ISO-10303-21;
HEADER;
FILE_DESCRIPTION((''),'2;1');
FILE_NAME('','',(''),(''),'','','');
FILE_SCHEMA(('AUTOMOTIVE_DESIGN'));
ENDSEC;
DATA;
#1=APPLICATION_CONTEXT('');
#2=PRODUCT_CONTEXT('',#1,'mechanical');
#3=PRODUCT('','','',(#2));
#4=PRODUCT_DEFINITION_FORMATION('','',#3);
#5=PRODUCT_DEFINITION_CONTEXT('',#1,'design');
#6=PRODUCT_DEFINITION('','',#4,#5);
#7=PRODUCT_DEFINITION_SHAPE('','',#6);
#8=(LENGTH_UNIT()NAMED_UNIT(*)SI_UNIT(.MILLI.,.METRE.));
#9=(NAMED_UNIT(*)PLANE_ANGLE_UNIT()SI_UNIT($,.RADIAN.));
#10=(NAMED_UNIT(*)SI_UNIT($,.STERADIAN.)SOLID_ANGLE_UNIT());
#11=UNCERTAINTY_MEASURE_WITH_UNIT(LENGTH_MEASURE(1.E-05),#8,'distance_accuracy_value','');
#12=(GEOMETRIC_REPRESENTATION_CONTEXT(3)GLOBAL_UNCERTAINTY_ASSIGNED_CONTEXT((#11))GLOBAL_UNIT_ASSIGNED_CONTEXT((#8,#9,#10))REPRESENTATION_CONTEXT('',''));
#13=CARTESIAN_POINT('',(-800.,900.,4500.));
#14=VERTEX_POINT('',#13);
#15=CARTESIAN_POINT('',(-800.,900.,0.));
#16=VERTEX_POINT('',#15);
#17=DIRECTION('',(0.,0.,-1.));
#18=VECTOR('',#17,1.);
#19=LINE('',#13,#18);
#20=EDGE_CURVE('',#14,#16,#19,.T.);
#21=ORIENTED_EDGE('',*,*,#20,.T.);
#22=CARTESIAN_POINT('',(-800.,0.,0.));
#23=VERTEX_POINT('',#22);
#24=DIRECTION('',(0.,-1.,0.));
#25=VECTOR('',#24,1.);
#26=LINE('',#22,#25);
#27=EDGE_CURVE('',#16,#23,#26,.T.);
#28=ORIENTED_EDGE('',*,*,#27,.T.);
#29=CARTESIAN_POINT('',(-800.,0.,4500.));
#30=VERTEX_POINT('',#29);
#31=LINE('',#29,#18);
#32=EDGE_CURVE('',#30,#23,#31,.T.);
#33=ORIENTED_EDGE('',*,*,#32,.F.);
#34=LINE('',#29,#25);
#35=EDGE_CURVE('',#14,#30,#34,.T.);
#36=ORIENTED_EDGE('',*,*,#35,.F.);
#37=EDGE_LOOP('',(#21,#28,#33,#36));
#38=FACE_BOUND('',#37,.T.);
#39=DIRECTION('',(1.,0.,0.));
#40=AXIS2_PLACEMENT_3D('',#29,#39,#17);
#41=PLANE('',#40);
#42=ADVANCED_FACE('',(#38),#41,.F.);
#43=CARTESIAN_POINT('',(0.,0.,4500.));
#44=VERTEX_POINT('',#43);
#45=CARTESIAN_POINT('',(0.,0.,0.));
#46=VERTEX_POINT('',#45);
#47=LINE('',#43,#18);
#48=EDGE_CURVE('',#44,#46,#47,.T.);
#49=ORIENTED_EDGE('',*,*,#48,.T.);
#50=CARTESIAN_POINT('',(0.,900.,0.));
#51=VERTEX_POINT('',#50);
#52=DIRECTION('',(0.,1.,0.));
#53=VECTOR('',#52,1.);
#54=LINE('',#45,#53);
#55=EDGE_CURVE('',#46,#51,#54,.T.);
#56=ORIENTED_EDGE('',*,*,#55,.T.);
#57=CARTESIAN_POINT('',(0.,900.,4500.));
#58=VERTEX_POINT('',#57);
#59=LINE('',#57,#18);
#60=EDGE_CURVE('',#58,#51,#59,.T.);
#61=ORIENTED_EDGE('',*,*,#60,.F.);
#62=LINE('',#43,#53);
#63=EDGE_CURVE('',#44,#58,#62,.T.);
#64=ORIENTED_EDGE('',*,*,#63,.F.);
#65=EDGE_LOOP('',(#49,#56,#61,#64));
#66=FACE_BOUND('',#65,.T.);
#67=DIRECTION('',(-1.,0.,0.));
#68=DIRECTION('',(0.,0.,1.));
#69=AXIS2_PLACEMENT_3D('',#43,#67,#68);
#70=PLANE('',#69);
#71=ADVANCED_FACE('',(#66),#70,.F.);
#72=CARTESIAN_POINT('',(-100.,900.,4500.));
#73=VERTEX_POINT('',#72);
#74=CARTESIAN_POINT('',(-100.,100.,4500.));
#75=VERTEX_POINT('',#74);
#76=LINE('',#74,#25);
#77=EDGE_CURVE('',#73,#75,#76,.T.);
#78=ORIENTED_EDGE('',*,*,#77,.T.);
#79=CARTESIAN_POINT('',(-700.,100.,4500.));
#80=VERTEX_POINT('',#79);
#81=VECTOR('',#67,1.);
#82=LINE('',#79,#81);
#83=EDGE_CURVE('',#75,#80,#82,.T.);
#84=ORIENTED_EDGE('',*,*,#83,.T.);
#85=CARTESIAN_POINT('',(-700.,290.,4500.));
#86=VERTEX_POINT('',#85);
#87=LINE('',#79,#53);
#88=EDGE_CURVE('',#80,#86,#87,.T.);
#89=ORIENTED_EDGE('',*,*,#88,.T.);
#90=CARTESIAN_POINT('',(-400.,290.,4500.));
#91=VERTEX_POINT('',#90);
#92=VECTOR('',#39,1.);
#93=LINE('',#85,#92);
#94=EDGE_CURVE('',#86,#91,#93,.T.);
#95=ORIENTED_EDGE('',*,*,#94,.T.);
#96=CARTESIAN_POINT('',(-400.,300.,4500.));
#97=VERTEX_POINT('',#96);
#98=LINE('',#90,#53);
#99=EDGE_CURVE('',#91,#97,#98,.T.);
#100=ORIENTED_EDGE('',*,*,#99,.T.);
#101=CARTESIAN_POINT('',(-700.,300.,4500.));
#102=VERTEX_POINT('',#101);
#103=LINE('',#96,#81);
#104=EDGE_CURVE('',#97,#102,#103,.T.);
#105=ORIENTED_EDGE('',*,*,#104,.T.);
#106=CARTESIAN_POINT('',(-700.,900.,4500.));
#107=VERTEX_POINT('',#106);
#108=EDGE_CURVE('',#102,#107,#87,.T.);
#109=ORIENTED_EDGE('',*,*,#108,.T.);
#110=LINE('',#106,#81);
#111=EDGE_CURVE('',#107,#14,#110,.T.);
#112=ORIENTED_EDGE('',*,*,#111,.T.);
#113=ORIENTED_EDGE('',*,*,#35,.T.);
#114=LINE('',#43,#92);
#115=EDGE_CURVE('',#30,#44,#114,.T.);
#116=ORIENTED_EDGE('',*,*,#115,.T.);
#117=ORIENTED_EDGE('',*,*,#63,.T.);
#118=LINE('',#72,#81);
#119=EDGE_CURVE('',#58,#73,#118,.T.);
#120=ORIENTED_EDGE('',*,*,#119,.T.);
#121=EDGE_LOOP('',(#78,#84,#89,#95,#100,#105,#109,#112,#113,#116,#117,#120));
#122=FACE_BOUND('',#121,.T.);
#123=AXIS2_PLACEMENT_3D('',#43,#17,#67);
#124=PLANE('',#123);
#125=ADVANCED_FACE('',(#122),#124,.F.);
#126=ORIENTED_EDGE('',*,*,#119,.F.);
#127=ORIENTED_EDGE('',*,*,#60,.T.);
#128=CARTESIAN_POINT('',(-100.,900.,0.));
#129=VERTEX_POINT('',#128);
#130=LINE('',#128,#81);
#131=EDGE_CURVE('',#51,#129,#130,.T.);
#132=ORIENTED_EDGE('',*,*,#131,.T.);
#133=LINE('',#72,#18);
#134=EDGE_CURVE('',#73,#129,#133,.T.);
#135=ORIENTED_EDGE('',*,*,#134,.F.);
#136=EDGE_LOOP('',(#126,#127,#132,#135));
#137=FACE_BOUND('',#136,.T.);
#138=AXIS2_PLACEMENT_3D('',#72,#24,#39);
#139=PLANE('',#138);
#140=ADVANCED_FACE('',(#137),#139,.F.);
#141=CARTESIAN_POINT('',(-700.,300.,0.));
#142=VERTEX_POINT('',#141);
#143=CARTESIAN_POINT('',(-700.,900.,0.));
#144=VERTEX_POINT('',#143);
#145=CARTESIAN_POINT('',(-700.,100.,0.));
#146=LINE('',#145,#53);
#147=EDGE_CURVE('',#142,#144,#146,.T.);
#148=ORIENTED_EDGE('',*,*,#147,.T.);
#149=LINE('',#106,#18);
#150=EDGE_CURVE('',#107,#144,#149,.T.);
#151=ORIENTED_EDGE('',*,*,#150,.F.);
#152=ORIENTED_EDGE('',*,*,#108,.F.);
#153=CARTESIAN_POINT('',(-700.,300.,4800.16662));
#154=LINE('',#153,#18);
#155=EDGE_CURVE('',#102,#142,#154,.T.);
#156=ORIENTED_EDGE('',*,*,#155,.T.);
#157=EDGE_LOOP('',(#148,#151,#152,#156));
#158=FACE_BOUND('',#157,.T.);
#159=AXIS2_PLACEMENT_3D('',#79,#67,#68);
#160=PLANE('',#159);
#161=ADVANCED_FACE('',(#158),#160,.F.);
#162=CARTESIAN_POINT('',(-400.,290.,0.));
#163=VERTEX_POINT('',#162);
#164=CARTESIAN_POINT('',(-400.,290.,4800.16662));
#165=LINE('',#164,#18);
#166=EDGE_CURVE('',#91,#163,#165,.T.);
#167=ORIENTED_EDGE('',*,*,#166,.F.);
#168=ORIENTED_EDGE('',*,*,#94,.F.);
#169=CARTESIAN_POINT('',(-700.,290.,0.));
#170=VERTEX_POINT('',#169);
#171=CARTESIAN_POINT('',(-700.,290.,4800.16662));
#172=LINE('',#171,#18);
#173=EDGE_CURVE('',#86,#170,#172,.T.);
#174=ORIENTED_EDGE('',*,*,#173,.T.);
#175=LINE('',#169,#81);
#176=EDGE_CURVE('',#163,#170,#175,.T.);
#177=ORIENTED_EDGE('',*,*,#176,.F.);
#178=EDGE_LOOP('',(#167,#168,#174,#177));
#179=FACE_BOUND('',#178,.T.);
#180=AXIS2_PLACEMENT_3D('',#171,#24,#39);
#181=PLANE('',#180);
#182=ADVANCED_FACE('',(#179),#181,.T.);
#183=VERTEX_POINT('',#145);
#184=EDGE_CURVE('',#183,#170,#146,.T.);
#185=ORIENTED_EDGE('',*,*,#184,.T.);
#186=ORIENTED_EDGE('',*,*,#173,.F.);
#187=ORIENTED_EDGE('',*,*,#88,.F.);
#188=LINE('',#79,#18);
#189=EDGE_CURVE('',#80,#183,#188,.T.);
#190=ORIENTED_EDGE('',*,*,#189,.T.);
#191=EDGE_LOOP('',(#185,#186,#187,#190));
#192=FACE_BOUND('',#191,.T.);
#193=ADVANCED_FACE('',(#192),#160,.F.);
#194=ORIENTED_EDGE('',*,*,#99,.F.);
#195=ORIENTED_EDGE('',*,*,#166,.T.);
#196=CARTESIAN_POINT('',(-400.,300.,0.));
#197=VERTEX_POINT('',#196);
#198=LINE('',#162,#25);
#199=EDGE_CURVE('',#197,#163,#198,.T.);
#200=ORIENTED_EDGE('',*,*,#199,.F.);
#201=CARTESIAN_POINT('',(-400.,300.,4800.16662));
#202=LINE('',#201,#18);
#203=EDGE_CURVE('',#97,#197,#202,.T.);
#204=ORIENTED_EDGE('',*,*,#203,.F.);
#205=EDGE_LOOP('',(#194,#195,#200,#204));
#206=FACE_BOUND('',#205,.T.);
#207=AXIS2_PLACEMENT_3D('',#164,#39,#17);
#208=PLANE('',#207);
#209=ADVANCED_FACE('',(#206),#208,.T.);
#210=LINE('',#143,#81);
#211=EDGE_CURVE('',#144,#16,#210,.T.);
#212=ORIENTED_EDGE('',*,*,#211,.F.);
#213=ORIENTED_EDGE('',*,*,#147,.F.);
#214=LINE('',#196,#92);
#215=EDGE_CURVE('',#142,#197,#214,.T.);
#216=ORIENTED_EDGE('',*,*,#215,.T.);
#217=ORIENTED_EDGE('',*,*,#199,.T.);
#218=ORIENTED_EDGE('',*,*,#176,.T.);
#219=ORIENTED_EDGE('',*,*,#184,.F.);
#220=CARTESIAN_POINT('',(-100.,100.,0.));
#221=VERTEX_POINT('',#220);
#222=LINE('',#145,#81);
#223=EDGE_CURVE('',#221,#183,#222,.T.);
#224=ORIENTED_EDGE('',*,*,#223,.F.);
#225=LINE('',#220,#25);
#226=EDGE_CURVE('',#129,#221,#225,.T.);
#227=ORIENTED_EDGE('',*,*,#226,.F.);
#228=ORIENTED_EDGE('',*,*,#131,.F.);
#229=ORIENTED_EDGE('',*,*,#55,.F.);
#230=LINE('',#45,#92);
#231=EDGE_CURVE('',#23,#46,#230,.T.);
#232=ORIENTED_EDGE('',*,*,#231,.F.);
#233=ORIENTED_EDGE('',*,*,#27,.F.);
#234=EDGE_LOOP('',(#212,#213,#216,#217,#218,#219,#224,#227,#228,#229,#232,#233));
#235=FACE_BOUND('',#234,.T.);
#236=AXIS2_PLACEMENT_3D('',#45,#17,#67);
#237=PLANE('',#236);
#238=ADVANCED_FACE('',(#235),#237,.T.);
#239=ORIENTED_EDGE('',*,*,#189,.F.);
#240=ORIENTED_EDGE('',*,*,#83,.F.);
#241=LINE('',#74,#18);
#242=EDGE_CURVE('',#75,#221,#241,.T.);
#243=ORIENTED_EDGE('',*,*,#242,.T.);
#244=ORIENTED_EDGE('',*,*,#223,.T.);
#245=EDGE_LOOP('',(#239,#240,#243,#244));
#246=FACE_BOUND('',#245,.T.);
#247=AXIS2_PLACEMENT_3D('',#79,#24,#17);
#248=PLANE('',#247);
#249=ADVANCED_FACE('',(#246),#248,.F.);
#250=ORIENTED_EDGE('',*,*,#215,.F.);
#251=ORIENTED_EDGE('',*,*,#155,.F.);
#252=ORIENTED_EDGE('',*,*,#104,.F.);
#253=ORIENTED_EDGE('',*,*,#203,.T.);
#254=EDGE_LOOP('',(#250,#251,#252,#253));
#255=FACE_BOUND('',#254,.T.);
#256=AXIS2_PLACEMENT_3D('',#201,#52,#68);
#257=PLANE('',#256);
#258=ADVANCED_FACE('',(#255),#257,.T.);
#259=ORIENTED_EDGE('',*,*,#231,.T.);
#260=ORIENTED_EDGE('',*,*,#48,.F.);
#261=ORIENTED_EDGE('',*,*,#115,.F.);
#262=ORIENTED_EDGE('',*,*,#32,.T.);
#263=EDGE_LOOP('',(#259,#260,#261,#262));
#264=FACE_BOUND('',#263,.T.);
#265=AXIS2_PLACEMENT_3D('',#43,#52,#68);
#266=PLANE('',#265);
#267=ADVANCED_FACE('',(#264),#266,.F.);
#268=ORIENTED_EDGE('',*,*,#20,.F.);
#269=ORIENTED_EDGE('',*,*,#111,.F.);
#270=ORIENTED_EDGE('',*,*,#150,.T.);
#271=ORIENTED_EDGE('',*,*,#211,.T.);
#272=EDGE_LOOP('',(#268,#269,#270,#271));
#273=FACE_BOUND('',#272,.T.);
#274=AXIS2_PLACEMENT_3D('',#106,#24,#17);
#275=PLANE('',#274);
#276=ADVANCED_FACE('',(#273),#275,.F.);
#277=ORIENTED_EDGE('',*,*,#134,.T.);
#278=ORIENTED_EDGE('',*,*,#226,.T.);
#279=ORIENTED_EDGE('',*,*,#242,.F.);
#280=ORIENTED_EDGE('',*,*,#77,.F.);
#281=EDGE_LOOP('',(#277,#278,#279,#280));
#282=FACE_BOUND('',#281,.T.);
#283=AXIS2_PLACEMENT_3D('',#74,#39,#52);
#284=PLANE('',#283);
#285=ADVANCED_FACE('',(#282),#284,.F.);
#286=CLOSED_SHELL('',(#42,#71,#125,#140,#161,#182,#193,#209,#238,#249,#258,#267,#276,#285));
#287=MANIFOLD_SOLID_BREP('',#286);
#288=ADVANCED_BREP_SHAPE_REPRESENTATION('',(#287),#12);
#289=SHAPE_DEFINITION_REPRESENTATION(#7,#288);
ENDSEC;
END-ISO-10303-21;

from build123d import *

# Parameters (mm, degrees)
SALIENTE_EXTRUIR1_DEPTH = 4500
CROQUIS2_W              = 300
CROQUIS2_H              = 10
SALIENTE_EXTRUIR2_DEPTH = 4500


with BuildPart() as part:
    # Croquis1 → Saliente-Extruir1 (new body)
    with BuildSketch(Plane.XY):
        Polygon((0, 0), (-800, 0), (-800, 900), (-700, 900), (-700, 100), (-100, 100), (-100, 900), (0, 900), align=None)
    extrude(amount=SALIENTE_EXTRUIR1_DEPTH)

    # Croquis2 → Saliente-Extruir2 (add)
    with BuildSketch(Plane(origin=(0, 0, 0), x_dir=(-1, 0, 0), z_dir=(0, 0, -1))):
        with Locations((550, 295)):
            Rectangle(CROQUIS2_W, CROQUIS2_H)
    extrude(amount=-SALIENTE_EXTRUIR2_DEPTH)


solid = part.part
